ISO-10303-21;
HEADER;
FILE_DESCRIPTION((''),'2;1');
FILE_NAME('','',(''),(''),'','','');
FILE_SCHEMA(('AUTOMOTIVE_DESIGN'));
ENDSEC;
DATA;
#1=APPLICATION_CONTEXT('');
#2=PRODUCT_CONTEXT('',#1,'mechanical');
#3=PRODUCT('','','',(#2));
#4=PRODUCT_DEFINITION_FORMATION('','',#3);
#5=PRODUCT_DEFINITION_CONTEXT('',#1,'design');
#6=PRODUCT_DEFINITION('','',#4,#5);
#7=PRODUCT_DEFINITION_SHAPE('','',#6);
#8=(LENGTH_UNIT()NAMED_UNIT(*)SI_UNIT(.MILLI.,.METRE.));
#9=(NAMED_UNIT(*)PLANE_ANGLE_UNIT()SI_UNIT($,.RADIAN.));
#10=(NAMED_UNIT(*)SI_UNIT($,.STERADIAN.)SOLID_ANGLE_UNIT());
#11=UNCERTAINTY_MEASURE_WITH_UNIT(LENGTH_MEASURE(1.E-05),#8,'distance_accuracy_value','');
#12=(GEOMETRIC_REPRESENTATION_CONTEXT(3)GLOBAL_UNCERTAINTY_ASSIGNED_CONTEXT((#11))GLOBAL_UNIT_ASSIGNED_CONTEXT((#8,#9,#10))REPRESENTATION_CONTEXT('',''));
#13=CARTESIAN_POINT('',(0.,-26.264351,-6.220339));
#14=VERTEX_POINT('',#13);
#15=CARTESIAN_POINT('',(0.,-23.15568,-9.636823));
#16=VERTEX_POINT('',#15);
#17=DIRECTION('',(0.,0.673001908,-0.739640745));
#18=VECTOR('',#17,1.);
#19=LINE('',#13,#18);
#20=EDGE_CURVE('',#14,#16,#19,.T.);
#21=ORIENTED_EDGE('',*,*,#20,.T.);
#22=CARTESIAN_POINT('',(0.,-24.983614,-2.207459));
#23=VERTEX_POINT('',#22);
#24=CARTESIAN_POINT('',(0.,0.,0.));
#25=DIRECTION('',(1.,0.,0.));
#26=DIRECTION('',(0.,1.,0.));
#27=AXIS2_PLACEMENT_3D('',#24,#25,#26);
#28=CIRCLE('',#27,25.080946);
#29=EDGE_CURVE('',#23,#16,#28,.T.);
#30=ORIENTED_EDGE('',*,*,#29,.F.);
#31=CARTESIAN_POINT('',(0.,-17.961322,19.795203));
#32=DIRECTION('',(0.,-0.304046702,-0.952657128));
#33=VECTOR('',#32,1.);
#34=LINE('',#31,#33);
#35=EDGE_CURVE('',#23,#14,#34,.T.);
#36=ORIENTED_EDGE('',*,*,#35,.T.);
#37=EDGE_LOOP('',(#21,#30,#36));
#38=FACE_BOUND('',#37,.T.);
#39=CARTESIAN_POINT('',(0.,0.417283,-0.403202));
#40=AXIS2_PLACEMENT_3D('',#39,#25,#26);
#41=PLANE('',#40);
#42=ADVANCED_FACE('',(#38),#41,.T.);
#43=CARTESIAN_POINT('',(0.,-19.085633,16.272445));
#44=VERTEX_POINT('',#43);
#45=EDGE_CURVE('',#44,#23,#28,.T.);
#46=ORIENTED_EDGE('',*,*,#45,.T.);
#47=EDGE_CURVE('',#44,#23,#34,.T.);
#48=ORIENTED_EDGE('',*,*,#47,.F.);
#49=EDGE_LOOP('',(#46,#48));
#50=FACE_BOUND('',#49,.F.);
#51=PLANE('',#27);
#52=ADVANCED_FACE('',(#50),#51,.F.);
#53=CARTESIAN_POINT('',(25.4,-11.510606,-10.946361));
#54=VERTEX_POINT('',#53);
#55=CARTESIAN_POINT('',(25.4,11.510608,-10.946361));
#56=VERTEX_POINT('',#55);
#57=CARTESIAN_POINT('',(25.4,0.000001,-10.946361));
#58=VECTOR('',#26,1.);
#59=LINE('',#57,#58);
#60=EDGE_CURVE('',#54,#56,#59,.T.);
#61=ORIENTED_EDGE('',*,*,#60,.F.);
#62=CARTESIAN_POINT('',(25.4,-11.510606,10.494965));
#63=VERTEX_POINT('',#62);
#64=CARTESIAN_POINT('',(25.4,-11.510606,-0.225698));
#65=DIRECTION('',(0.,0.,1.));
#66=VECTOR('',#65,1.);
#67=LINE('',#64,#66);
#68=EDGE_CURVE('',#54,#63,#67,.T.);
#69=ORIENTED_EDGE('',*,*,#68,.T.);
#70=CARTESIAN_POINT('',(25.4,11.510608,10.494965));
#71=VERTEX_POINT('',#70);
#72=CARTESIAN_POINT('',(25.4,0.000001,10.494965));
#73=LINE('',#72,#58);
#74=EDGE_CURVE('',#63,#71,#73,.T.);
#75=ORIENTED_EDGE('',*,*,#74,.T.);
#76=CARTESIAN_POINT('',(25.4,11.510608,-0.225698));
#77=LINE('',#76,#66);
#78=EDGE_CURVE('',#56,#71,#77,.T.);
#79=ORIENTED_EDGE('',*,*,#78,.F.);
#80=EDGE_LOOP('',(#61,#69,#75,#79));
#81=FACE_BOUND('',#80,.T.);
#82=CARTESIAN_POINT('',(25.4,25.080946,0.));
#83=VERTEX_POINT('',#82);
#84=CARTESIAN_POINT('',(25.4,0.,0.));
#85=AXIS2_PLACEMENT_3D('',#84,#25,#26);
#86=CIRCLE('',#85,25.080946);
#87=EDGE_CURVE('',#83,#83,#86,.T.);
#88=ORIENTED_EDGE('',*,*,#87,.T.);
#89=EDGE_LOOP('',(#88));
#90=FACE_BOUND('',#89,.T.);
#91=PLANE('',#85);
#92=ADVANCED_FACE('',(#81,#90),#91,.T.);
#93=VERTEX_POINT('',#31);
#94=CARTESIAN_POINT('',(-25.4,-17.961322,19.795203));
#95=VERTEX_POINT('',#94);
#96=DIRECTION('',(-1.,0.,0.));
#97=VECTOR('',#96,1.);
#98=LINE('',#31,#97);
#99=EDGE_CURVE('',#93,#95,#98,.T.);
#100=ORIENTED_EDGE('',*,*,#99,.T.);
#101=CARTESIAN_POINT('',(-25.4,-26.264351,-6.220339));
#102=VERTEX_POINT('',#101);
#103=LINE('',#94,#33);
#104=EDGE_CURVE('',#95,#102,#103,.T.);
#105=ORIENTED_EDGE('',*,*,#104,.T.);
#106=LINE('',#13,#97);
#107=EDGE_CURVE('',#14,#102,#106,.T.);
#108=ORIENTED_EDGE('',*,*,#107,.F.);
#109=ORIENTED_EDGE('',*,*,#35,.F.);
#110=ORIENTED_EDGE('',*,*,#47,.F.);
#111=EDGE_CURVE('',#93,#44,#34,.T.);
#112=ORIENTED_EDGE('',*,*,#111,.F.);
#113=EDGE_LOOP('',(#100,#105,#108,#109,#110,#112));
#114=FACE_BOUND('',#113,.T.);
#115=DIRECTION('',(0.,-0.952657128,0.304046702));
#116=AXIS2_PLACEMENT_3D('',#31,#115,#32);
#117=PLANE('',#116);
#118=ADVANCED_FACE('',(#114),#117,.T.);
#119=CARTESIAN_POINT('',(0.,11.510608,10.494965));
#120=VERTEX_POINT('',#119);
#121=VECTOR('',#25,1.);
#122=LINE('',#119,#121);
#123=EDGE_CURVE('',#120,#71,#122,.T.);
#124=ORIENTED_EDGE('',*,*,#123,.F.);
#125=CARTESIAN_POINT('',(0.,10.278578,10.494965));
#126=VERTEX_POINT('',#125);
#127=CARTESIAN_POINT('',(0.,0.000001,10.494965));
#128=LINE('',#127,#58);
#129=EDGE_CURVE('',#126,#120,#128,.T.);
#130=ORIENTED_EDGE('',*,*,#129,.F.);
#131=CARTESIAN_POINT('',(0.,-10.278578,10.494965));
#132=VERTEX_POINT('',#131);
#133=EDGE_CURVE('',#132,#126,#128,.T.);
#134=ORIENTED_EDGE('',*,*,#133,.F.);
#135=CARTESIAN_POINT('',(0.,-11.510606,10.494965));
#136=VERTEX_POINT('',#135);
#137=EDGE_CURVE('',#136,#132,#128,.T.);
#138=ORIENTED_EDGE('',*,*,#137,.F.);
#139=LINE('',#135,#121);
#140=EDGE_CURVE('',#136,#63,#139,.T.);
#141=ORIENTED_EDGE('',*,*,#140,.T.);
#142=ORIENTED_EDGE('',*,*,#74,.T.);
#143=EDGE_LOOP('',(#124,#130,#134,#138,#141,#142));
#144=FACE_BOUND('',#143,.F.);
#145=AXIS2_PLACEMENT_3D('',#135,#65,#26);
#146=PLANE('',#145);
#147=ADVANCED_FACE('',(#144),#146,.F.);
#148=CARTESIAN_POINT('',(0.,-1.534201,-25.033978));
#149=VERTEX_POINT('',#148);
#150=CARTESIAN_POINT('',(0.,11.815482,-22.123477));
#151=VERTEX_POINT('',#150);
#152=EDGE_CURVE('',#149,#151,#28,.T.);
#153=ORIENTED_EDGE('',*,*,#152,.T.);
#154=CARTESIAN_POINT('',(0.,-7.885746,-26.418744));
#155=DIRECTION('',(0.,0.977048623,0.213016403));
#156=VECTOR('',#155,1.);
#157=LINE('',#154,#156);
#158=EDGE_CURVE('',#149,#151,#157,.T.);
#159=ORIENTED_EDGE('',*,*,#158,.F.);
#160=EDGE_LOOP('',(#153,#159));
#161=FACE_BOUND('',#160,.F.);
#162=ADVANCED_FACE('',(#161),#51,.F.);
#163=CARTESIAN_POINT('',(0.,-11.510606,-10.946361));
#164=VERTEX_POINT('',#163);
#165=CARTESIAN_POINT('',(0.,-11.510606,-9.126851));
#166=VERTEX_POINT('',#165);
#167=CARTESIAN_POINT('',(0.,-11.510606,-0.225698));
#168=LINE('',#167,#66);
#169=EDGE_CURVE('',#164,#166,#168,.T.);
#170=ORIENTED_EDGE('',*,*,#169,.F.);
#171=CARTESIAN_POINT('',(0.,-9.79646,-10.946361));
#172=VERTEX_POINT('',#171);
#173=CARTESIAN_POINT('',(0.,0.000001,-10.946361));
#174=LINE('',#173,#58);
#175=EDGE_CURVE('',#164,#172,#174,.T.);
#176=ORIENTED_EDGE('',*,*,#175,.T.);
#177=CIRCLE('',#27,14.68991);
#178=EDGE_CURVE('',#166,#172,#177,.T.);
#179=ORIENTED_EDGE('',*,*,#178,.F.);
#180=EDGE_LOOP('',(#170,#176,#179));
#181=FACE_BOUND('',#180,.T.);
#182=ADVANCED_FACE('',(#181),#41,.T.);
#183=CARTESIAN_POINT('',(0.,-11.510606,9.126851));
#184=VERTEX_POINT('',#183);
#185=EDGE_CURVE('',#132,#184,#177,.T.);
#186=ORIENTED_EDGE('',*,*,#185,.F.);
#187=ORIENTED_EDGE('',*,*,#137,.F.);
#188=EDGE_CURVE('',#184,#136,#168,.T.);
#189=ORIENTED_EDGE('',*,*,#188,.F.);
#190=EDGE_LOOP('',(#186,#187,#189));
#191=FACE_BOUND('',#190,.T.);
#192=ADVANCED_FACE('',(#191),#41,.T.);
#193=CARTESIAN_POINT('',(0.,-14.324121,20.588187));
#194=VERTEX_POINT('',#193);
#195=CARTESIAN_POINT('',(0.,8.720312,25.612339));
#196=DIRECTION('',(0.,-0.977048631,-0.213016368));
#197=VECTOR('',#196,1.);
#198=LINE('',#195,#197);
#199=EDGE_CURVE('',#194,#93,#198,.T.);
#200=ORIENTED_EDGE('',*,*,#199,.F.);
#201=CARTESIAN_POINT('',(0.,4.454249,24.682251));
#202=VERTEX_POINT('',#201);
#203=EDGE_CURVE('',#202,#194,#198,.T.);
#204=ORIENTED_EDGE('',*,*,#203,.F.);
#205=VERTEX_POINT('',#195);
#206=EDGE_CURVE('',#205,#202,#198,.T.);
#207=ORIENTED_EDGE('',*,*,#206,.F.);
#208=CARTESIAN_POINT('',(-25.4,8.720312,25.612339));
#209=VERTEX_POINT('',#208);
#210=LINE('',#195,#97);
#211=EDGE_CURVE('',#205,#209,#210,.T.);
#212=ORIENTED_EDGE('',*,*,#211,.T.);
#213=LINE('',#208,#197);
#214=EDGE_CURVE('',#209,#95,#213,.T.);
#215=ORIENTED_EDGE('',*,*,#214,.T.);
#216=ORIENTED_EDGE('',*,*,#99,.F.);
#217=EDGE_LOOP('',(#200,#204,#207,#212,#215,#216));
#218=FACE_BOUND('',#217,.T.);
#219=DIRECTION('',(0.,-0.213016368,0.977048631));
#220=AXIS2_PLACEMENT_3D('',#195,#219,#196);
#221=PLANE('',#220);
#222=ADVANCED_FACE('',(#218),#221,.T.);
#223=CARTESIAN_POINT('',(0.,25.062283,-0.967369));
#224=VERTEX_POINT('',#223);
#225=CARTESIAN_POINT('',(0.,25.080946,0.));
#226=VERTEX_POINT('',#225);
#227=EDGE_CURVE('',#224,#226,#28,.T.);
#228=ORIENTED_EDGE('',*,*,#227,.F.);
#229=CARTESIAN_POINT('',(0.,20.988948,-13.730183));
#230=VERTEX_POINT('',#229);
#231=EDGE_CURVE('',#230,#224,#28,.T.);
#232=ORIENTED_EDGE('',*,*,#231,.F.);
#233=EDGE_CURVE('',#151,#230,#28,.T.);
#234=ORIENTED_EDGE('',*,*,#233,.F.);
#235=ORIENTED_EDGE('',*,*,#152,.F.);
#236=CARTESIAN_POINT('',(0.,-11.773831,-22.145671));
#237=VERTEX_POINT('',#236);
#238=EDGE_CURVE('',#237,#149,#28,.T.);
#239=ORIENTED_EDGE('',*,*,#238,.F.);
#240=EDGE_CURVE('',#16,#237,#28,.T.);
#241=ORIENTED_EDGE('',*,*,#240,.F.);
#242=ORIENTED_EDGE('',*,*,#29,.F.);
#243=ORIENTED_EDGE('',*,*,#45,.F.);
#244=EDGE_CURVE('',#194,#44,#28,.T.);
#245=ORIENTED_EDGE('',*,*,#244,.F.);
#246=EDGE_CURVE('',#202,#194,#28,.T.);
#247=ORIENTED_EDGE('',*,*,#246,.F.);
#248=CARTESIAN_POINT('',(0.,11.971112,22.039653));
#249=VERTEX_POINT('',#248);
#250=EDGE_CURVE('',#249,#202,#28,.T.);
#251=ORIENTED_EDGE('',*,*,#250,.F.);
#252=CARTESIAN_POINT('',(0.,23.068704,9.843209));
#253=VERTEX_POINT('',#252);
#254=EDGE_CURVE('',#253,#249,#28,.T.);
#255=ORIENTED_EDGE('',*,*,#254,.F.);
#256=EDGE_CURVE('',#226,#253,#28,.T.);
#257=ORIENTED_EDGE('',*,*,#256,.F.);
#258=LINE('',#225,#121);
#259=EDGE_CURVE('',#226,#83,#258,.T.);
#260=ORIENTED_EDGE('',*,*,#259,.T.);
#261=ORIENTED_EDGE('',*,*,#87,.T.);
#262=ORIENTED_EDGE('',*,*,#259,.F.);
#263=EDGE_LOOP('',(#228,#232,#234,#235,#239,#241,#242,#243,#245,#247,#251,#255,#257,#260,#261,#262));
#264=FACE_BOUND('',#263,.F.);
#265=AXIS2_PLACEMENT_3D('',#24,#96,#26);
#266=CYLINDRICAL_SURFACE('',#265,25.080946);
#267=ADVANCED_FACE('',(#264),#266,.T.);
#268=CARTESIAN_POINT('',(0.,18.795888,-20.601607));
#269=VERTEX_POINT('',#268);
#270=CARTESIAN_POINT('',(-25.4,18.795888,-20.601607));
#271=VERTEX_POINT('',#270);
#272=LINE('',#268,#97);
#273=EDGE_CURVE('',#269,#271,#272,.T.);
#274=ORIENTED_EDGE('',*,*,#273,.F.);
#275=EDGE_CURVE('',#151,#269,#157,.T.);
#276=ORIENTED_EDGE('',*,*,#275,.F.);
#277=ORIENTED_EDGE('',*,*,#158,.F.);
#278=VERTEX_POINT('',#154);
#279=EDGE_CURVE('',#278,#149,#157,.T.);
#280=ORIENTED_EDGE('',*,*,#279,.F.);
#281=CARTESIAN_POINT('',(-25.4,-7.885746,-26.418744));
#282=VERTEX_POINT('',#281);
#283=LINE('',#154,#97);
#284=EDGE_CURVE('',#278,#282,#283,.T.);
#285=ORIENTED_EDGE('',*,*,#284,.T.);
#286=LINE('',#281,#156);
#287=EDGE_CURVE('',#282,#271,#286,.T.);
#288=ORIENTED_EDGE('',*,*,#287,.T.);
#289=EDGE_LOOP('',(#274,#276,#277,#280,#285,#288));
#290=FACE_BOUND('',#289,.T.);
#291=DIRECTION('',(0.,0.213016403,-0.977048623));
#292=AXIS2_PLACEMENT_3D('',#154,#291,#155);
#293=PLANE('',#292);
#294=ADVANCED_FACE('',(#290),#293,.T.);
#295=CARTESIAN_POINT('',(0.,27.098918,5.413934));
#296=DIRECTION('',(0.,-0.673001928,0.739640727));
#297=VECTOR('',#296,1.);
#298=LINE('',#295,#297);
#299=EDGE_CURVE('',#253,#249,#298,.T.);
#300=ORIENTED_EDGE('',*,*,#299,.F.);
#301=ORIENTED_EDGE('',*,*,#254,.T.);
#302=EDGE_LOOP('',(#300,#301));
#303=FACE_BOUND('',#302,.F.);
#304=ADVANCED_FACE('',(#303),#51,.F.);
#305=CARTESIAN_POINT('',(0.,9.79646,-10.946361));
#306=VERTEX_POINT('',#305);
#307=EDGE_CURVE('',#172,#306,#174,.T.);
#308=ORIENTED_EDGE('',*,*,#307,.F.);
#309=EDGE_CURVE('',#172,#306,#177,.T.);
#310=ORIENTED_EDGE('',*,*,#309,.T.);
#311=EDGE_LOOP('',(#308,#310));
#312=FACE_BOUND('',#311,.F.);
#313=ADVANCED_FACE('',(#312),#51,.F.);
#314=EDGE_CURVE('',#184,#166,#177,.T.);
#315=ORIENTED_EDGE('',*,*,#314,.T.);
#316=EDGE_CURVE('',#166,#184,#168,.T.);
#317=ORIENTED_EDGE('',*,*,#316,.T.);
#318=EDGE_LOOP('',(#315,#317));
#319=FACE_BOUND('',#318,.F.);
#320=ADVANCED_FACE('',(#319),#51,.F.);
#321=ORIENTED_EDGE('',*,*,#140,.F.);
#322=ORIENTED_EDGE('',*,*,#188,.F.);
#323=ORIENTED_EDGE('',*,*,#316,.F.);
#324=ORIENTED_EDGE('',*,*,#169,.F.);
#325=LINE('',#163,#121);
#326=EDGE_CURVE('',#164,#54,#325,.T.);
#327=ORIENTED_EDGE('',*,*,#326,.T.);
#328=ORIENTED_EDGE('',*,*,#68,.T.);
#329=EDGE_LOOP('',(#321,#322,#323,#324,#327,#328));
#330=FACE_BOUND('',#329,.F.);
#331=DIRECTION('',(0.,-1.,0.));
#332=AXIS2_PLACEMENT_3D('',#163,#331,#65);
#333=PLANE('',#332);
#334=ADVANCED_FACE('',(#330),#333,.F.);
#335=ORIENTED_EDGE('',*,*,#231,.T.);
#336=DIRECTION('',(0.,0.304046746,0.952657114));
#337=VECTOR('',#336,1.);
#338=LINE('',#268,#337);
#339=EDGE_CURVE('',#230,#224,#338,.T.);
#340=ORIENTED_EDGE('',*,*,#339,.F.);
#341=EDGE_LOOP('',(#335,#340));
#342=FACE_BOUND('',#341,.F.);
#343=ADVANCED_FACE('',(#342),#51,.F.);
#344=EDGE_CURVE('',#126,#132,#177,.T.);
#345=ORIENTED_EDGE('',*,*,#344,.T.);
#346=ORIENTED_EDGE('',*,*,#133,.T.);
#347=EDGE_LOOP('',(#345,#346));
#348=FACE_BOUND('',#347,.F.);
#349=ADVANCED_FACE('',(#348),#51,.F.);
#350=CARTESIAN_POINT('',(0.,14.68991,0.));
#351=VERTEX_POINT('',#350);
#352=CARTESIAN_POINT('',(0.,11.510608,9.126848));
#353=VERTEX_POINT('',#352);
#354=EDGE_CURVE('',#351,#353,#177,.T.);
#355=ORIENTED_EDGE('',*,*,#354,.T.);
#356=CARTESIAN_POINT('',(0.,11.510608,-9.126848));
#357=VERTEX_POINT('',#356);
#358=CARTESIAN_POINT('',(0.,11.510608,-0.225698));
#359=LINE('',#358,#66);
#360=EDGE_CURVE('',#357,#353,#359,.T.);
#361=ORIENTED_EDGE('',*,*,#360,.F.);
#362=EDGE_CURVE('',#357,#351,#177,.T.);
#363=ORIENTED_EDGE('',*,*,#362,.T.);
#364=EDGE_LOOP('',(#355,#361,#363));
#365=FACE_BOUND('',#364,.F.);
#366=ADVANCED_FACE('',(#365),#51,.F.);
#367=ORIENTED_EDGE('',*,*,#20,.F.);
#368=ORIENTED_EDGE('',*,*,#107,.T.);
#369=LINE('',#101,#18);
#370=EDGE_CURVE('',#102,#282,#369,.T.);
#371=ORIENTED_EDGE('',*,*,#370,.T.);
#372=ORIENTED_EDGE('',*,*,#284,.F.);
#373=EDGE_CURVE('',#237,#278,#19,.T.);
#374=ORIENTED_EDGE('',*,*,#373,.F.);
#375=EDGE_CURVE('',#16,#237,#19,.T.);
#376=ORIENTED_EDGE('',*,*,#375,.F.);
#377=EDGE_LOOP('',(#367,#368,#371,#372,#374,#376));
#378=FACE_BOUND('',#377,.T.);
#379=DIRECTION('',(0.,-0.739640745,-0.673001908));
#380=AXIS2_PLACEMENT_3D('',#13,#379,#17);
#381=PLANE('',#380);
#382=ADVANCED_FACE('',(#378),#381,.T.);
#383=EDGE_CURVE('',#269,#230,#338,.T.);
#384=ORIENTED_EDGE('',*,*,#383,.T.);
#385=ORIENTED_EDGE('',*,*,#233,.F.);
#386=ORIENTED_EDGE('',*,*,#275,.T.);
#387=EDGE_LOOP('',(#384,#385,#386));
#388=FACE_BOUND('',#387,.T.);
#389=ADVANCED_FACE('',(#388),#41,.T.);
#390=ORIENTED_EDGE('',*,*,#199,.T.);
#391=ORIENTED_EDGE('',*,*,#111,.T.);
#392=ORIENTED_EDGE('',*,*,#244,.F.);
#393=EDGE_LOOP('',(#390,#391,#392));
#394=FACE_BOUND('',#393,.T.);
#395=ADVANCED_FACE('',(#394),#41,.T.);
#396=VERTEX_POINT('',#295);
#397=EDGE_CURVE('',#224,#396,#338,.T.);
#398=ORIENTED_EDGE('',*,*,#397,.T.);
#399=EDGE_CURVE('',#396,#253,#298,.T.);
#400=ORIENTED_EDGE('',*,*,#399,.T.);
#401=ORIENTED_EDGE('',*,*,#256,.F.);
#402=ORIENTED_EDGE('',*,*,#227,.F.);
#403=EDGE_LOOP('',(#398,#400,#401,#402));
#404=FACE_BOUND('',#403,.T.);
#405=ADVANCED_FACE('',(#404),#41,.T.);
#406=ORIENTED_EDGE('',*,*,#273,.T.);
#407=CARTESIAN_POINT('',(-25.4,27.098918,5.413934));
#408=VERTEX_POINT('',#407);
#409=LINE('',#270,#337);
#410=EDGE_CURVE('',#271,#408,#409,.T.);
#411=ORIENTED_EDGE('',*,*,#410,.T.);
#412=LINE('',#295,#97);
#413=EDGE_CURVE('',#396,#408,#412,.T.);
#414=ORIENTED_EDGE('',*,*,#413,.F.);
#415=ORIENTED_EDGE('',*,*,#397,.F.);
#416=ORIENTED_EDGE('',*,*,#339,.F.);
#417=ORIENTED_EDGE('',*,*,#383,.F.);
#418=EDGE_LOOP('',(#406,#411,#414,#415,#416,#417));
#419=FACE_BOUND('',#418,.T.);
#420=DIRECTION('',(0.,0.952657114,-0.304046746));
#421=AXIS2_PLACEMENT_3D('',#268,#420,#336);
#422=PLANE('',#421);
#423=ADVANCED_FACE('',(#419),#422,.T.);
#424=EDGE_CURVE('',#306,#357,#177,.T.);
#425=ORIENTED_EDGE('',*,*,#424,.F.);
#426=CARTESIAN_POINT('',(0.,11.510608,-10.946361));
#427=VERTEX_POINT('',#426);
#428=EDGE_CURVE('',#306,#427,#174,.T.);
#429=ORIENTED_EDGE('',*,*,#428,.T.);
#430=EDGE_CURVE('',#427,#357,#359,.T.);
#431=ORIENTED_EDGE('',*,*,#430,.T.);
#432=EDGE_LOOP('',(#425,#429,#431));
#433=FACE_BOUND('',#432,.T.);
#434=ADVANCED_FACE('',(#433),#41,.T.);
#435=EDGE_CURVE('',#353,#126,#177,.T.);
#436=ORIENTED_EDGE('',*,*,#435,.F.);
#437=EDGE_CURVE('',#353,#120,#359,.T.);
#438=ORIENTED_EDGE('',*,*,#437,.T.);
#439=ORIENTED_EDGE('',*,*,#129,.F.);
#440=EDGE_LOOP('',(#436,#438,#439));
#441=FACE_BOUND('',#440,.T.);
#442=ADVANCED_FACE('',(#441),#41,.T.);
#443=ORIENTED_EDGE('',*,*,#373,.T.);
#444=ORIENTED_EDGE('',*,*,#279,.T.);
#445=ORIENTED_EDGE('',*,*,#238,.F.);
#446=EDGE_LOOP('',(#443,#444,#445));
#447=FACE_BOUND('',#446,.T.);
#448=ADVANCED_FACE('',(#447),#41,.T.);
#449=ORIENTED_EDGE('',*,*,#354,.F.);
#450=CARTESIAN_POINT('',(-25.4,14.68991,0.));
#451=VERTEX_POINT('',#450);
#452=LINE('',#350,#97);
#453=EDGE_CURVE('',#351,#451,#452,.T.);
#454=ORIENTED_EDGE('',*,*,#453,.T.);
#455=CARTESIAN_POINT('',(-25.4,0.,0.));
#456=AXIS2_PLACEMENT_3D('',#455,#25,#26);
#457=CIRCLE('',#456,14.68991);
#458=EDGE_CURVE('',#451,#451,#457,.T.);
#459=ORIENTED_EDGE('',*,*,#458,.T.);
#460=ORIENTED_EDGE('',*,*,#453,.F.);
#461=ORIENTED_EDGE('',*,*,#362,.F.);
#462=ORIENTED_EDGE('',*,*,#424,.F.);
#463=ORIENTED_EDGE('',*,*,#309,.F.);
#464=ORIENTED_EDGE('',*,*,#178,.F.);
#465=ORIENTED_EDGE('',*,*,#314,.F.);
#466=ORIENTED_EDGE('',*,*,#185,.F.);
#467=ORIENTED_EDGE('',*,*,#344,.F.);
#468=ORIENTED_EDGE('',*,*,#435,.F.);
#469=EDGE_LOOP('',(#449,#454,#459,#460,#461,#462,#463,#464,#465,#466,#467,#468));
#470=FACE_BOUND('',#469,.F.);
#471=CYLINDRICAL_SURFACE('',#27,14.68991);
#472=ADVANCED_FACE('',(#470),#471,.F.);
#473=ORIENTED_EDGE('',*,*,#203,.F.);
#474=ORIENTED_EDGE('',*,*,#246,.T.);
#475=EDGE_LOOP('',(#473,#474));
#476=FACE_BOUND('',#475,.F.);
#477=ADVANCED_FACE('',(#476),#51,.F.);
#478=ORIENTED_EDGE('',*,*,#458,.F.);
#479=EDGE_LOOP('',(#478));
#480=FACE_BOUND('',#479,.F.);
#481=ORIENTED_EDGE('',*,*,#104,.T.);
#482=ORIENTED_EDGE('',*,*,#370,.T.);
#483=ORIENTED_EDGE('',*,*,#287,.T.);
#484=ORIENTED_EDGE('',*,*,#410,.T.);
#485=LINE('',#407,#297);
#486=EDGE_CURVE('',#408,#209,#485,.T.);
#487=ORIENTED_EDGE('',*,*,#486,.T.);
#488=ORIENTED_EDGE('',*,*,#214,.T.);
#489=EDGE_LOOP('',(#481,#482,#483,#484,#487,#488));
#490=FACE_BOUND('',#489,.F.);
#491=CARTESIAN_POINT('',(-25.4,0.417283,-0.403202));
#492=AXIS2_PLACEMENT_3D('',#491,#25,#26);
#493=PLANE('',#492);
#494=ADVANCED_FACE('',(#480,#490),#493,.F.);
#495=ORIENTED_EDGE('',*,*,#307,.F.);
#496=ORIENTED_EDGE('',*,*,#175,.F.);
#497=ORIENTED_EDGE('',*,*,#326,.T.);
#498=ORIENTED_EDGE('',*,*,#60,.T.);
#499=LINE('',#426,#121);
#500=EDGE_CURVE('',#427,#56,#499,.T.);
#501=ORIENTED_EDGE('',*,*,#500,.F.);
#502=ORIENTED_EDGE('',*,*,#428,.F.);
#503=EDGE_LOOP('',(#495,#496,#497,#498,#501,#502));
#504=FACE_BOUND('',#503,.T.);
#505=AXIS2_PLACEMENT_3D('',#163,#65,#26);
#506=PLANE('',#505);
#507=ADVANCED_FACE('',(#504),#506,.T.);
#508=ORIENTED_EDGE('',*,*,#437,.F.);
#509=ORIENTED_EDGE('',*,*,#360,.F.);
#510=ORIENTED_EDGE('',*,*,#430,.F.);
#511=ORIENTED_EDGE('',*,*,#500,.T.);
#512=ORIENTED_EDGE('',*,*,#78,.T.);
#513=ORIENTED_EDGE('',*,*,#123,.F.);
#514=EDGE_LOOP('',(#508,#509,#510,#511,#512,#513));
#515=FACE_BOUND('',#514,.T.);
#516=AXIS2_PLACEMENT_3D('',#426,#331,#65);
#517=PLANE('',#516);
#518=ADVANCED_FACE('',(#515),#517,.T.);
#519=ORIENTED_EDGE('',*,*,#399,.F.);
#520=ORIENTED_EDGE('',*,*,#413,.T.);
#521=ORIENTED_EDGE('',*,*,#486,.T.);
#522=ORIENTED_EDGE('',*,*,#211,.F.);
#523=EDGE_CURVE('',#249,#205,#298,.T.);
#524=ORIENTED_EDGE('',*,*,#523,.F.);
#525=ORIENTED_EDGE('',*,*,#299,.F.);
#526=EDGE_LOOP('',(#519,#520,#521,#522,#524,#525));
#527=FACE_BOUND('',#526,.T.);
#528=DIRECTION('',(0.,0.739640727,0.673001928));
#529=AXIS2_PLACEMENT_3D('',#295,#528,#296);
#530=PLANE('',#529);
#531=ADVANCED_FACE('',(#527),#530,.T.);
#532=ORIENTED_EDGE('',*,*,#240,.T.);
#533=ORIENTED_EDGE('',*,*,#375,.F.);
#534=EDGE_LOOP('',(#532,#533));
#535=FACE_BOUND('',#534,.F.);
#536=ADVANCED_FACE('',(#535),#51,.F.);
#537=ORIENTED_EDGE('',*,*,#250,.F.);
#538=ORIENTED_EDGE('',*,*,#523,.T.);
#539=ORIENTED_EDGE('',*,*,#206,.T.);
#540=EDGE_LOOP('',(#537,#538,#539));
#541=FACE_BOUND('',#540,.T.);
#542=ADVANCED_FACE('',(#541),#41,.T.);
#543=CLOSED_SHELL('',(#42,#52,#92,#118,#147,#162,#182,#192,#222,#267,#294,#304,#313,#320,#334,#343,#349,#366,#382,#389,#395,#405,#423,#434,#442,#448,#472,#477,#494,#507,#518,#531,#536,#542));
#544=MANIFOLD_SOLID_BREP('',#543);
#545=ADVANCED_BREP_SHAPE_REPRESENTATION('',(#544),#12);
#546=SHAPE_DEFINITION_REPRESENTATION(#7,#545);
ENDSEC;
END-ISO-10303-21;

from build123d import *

# Parameters (mm, degrees)
F0_R     = 25.080946
F0_W     = 23.021214
F0_H     = 21.441326
F1_DEPTH = 25.4
F2_R     = 14.68991
F3_DEPTH = 25.4


with BuildPart() as f1:
    # F0 (on Right) → F1 (new body)
    with BuildSketch(Plane.YZ):
        Circle(F0_R)
        with Locations((1e-06, -0.225698)):
            Rectangle(F0_W, F0_H, mode=Mode.SUBTRACT)
    extrude(amount=F1_DEPTH)

    # F2 (on Right) → F3 (join)
    with BuildSketch(Plane.YZ):
        Polygon((8.720312, 25.612339), (-17.961322, 19.795203), (-26.264351, -6.220339), (-7.885746, -26.418744), (18.795888, -20.601607), (27.098918, 5.413934), align=None)
        Circle(F2_R, mode=Mode.SUBTRACT)
    extrude(amount=-F3_DEPTH)


solid = f1.part
